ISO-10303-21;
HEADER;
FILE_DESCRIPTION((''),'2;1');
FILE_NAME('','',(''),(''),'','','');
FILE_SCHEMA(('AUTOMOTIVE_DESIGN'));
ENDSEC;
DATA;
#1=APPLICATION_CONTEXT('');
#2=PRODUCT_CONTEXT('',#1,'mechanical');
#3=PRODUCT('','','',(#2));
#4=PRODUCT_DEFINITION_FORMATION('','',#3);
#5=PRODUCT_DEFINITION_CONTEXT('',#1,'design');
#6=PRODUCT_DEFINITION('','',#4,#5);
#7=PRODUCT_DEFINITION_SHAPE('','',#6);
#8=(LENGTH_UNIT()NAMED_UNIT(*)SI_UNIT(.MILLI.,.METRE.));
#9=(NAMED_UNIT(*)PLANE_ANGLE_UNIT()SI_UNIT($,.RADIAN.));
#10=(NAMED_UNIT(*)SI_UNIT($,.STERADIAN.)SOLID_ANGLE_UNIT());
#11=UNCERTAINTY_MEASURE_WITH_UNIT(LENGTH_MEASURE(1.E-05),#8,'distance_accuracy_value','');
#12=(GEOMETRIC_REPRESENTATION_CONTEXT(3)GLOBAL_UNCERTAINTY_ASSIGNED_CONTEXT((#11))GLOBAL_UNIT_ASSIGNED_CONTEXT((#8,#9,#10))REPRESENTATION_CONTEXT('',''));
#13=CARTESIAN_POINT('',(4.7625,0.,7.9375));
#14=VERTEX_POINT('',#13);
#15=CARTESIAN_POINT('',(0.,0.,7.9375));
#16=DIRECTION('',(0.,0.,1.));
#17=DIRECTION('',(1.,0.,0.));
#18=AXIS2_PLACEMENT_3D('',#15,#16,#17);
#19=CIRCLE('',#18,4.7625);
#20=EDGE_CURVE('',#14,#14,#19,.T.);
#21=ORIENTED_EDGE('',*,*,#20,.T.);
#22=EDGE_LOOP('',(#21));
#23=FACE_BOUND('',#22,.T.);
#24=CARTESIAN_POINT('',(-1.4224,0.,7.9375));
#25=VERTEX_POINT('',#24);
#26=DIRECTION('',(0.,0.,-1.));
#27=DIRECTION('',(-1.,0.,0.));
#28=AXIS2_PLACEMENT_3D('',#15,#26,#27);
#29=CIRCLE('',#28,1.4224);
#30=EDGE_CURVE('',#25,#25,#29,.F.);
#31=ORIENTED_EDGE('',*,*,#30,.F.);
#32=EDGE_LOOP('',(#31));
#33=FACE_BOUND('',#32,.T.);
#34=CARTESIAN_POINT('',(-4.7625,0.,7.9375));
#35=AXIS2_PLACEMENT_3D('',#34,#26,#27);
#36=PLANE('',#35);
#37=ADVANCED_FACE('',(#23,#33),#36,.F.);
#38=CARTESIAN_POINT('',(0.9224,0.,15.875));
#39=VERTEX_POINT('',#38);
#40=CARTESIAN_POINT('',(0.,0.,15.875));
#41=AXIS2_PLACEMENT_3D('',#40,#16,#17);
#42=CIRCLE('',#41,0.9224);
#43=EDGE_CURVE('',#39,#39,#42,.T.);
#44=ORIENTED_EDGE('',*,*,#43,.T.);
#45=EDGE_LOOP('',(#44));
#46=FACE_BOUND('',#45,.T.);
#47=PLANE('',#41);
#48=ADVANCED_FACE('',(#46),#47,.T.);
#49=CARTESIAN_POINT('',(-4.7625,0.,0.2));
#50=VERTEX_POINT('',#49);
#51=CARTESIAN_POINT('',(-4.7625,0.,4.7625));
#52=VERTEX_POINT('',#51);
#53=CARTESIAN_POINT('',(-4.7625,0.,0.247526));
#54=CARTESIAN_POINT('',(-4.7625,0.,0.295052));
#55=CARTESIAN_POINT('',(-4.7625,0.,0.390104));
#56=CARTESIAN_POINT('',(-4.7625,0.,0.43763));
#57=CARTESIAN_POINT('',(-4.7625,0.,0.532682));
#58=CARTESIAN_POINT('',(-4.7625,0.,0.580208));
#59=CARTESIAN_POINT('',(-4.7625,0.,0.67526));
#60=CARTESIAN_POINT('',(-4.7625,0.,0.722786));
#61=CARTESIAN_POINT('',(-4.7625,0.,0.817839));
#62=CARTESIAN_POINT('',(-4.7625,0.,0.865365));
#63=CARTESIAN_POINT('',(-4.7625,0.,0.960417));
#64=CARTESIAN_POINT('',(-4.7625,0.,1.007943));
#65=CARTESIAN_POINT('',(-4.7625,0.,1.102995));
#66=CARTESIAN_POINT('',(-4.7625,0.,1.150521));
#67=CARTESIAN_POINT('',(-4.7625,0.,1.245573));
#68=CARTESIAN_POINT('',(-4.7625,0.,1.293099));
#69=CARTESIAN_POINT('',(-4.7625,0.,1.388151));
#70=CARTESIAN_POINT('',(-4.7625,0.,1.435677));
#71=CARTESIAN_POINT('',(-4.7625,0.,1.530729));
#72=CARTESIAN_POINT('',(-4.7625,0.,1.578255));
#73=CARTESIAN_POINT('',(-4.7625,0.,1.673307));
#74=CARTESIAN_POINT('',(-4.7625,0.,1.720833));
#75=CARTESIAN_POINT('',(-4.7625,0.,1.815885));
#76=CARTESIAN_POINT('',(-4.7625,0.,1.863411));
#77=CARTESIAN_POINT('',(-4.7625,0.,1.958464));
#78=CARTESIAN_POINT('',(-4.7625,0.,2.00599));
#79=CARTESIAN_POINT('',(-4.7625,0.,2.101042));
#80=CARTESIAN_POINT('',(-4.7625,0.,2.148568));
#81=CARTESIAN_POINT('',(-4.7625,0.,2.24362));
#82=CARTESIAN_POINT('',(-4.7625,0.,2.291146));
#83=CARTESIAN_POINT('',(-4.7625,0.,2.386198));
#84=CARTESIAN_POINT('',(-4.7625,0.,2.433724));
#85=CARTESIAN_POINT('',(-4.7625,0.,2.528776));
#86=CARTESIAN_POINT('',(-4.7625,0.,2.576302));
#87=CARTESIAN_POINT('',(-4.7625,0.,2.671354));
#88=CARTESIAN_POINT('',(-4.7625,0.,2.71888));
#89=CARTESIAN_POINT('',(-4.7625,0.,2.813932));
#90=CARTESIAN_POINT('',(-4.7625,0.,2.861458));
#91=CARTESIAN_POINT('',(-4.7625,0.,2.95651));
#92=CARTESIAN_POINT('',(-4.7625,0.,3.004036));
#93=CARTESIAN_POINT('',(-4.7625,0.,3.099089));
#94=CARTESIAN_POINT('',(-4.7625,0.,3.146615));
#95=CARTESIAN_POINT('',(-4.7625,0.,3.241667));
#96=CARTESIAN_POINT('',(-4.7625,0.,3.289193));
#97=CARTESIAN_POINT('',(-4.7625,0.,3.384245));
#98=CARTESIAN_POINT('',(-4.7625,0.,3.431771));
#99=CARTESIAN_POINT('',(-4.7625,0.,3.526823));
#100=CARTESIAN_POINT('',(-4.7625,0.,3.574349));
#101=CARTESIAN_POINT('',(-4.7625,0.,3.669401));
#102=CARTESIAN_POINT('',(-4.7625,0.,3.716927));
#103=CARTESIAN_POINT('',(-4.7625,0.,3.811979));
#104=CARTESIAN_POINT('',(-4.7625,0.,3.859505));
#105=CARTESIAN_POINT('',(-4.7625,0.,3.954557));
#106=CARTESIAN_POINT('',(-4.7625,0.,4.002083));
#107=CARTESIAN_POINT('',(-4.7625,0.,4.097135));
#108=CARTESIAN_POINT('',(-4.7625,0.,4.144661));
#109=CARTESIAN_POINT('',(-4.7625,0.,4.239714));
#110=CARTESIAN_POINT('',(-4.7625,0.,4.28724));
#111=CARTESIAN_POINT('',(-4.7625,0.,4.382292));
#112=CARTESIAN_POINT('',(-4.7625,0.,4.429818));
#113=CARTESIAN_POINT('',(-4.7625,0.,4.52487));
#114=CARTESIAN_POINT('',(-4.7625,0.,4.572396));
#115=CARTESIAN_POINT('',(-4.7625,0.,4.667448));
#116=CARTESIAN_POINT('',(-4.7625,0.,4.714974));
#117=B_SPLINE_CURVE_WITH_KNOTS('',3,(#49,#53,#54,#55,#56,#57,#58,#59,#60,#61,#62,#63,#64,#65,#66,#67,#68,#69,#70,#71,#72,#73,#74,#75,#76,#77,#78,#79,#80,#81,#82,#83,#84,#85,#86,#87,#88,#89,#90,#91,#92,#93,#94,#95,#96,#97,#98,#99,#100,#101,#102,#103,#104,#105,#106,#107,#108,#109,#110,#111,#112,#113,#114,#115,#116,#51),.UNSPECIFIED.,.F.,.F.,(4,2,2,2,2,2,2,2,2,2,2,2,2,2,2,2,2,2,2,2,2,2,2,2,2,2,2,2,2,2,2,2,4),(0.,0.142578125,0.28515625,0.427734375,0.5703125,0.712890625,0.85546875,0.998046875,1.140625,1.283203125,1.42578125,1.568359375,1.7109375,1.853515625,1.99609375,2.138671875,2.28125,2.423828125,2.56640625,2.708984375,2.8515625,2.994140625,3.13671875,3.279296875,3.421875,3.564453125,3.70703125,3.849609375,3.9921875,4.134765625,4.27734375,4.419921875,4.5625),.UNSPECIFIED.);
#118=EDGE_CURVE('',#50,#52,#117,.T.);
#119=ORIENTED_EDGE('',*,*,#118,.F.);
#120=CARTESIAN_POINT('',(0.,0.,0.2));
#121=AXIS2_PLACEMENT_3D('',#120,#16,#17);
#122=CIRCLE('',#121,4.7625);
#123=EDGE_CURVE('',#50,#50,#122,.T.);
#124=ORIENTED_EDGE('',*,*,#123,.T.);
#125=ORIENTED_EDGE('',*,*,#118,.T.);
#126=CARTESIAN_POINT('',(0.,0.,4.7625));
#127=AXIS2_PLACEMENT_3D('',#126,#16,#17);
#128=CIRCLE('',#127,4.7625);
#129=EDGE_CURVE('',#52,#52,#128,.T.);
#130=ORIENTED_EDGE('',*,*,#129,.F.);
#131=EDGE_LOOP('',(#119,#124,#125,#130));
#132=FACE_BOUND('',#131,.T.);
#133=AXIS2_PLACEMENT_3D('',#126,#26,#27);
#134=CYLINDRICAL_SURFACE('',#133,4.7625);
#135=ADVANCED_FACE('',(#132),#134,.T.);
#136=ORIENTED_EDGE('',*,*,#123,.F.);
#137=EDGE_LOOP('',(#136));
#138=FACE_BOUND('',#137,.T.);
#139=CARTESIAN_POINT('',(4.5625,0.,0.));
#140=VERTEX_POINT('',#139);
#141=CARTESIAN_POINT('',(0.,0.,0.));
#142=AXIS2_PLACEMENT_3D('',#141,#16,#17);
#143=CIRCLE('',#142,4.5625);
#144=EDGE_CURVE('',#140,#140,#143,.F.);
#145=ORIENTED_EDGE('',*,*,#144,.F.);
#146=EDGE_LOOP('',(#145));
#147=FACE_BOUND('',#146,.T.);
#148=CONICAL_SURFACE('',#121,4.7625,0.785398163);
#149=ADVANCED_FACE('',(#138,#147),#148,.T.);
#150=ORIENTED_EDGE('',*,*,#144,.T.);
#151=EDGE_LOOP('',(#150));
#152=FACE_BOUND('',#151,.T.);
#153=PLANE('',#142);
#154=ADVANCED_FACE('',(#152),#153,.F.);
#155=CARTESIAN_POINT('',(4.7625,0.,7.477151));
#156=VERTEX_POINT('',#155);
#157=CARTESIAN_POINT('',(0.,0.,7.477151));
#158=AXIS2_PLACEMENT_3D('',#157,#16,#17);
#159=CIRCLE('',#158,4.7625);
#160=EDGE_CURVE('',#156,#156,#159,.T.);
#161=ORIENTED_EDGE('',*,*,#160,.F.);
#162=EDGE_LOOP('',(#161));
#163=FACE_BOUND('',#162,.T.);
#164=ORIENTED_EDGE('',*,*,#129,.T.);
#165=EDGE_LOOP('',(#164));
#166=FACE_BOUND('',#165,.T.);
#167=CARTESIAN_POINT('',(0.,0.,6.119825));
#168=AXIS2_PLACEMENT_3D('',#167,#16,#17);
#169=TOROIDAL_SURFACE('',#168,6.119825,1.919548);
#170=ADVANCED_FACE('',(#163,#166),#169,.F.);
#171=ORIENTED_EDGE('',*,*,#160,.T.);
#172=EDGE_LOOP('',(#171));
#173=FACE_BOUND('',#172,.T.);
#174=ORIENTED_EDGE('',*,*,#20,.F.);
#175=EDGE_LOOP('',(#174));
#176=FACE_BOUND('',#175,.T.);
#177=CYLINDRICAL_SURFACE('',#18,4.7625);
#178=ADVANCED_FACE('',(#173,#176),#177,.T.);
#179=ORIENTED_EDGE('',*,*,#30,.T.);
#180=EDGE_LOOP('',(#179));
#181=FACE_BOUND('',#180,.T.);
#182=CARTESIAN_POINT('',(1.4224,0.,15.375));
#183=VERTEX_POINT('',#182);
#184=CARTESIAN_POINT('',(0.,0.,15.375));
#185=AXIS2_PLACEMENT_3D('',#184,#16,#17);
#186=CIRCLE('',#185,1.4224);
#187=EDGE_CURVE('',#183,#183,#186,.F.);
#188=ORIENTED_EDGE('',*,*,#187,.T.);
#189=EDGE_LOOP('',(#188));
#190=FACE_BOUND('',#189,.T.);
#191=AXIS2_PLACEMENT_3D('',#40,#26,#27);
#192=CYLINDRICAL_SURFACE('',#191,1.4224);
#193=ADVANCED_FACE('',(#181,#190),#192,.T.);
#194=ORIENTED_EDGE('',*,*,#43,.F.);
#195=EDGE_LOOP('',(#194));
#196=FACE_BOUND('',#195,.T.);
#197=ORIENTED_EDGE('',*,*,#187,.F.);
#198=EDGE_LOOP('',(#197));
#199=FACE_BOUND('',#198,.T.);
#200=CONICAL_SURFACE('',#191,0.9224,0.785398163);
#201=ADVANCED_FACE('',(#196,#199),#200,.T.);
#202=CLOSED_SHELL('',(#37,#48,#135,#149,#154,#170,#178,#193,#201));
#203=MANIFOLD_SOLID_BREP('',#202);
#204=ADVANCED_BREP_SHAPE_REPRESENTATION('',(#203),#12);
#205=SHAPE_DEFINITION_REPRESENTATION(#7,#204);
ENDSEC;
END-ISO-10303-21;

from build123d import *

# Parameters (mm, degrees)
SKETCH1_R           = 4.7625
BOSS_EXTRUDE1_DEPTH = 4.7625
SKETCH3_R           = 1.4224
BOSS_EXTRUDE2_DEPTH = 7.9375
CHAMFER1_SIZE       = 0.2
CHAMFER2_SIZE       = 0.5


with BuildPart() as part:
    # Sketch1 → Boss-Extrude1 (new body)
    with BuildSketch(Plane.XY):
        with Locations(Location((0, 0, 0), (0, 0, 180))):
            Circle(SKETCH1_R)
    extrude(amount=BOSS_EXTRUDE1_DEPTH)

    # Sketch2 → Revolve1 (revolve)
    with BuildSketch(Plane(origin=(0, 0, 0), x_dir=(1, 0, 0), z_dir=(0, 1, 0)), mode=Mode.PRIVATE) as revolve1_sk:
        with BuildLine():
            Line((-4.7625, -7.477150663), (-4.7625, -7.9375))
            Line((-4.7625, -7.9375), (0, -7.9375))
            Line((0, -7.9375), (0, -4.7625))
            Line((0, -4.7625), (-4.7625, -4.7625))
            ThreePointArc((-4.7625, -4.7625), (-4.200277439, -6.119825331), (-4.7625, -7.477150663))
        make_face()
    revolve(revolve1_sk.sketch.rotate(Axis((0, 0, 7.9375), (0, 0, -1)), 180), axis=Axis((0, 0, 7.9375), (0, 0, -1)))

    # Sketch3 → Boss-Extrude2 (add)
    with BuildSketch(Plane.XY.offset(7.9375)):
        with Locations(Location((0, 0, 0), (0, 0, 180))):
            Circle(SKETCH3_R)
    extrude(amount=BOSS_EXTRUDE2_DEPTH)

    # Chamfer1
    chamfer1_edges = [part.edges().sort_by_distance(p)[0] for p in [
        (4.7625, 0, 0),
    ]]
    chamfer(chamfer1_edges, length=CHAMFER1_SIZE)

    # Chamfer2
    chamfer2_edges = [part.edges().sort_by_distance(p)[0] for p in [
        (1.4224, 0, 15.875),
    ]]
    chamfer(chamfer2_edges, length=CHAMFER2_SIZE)


solid = part.part
